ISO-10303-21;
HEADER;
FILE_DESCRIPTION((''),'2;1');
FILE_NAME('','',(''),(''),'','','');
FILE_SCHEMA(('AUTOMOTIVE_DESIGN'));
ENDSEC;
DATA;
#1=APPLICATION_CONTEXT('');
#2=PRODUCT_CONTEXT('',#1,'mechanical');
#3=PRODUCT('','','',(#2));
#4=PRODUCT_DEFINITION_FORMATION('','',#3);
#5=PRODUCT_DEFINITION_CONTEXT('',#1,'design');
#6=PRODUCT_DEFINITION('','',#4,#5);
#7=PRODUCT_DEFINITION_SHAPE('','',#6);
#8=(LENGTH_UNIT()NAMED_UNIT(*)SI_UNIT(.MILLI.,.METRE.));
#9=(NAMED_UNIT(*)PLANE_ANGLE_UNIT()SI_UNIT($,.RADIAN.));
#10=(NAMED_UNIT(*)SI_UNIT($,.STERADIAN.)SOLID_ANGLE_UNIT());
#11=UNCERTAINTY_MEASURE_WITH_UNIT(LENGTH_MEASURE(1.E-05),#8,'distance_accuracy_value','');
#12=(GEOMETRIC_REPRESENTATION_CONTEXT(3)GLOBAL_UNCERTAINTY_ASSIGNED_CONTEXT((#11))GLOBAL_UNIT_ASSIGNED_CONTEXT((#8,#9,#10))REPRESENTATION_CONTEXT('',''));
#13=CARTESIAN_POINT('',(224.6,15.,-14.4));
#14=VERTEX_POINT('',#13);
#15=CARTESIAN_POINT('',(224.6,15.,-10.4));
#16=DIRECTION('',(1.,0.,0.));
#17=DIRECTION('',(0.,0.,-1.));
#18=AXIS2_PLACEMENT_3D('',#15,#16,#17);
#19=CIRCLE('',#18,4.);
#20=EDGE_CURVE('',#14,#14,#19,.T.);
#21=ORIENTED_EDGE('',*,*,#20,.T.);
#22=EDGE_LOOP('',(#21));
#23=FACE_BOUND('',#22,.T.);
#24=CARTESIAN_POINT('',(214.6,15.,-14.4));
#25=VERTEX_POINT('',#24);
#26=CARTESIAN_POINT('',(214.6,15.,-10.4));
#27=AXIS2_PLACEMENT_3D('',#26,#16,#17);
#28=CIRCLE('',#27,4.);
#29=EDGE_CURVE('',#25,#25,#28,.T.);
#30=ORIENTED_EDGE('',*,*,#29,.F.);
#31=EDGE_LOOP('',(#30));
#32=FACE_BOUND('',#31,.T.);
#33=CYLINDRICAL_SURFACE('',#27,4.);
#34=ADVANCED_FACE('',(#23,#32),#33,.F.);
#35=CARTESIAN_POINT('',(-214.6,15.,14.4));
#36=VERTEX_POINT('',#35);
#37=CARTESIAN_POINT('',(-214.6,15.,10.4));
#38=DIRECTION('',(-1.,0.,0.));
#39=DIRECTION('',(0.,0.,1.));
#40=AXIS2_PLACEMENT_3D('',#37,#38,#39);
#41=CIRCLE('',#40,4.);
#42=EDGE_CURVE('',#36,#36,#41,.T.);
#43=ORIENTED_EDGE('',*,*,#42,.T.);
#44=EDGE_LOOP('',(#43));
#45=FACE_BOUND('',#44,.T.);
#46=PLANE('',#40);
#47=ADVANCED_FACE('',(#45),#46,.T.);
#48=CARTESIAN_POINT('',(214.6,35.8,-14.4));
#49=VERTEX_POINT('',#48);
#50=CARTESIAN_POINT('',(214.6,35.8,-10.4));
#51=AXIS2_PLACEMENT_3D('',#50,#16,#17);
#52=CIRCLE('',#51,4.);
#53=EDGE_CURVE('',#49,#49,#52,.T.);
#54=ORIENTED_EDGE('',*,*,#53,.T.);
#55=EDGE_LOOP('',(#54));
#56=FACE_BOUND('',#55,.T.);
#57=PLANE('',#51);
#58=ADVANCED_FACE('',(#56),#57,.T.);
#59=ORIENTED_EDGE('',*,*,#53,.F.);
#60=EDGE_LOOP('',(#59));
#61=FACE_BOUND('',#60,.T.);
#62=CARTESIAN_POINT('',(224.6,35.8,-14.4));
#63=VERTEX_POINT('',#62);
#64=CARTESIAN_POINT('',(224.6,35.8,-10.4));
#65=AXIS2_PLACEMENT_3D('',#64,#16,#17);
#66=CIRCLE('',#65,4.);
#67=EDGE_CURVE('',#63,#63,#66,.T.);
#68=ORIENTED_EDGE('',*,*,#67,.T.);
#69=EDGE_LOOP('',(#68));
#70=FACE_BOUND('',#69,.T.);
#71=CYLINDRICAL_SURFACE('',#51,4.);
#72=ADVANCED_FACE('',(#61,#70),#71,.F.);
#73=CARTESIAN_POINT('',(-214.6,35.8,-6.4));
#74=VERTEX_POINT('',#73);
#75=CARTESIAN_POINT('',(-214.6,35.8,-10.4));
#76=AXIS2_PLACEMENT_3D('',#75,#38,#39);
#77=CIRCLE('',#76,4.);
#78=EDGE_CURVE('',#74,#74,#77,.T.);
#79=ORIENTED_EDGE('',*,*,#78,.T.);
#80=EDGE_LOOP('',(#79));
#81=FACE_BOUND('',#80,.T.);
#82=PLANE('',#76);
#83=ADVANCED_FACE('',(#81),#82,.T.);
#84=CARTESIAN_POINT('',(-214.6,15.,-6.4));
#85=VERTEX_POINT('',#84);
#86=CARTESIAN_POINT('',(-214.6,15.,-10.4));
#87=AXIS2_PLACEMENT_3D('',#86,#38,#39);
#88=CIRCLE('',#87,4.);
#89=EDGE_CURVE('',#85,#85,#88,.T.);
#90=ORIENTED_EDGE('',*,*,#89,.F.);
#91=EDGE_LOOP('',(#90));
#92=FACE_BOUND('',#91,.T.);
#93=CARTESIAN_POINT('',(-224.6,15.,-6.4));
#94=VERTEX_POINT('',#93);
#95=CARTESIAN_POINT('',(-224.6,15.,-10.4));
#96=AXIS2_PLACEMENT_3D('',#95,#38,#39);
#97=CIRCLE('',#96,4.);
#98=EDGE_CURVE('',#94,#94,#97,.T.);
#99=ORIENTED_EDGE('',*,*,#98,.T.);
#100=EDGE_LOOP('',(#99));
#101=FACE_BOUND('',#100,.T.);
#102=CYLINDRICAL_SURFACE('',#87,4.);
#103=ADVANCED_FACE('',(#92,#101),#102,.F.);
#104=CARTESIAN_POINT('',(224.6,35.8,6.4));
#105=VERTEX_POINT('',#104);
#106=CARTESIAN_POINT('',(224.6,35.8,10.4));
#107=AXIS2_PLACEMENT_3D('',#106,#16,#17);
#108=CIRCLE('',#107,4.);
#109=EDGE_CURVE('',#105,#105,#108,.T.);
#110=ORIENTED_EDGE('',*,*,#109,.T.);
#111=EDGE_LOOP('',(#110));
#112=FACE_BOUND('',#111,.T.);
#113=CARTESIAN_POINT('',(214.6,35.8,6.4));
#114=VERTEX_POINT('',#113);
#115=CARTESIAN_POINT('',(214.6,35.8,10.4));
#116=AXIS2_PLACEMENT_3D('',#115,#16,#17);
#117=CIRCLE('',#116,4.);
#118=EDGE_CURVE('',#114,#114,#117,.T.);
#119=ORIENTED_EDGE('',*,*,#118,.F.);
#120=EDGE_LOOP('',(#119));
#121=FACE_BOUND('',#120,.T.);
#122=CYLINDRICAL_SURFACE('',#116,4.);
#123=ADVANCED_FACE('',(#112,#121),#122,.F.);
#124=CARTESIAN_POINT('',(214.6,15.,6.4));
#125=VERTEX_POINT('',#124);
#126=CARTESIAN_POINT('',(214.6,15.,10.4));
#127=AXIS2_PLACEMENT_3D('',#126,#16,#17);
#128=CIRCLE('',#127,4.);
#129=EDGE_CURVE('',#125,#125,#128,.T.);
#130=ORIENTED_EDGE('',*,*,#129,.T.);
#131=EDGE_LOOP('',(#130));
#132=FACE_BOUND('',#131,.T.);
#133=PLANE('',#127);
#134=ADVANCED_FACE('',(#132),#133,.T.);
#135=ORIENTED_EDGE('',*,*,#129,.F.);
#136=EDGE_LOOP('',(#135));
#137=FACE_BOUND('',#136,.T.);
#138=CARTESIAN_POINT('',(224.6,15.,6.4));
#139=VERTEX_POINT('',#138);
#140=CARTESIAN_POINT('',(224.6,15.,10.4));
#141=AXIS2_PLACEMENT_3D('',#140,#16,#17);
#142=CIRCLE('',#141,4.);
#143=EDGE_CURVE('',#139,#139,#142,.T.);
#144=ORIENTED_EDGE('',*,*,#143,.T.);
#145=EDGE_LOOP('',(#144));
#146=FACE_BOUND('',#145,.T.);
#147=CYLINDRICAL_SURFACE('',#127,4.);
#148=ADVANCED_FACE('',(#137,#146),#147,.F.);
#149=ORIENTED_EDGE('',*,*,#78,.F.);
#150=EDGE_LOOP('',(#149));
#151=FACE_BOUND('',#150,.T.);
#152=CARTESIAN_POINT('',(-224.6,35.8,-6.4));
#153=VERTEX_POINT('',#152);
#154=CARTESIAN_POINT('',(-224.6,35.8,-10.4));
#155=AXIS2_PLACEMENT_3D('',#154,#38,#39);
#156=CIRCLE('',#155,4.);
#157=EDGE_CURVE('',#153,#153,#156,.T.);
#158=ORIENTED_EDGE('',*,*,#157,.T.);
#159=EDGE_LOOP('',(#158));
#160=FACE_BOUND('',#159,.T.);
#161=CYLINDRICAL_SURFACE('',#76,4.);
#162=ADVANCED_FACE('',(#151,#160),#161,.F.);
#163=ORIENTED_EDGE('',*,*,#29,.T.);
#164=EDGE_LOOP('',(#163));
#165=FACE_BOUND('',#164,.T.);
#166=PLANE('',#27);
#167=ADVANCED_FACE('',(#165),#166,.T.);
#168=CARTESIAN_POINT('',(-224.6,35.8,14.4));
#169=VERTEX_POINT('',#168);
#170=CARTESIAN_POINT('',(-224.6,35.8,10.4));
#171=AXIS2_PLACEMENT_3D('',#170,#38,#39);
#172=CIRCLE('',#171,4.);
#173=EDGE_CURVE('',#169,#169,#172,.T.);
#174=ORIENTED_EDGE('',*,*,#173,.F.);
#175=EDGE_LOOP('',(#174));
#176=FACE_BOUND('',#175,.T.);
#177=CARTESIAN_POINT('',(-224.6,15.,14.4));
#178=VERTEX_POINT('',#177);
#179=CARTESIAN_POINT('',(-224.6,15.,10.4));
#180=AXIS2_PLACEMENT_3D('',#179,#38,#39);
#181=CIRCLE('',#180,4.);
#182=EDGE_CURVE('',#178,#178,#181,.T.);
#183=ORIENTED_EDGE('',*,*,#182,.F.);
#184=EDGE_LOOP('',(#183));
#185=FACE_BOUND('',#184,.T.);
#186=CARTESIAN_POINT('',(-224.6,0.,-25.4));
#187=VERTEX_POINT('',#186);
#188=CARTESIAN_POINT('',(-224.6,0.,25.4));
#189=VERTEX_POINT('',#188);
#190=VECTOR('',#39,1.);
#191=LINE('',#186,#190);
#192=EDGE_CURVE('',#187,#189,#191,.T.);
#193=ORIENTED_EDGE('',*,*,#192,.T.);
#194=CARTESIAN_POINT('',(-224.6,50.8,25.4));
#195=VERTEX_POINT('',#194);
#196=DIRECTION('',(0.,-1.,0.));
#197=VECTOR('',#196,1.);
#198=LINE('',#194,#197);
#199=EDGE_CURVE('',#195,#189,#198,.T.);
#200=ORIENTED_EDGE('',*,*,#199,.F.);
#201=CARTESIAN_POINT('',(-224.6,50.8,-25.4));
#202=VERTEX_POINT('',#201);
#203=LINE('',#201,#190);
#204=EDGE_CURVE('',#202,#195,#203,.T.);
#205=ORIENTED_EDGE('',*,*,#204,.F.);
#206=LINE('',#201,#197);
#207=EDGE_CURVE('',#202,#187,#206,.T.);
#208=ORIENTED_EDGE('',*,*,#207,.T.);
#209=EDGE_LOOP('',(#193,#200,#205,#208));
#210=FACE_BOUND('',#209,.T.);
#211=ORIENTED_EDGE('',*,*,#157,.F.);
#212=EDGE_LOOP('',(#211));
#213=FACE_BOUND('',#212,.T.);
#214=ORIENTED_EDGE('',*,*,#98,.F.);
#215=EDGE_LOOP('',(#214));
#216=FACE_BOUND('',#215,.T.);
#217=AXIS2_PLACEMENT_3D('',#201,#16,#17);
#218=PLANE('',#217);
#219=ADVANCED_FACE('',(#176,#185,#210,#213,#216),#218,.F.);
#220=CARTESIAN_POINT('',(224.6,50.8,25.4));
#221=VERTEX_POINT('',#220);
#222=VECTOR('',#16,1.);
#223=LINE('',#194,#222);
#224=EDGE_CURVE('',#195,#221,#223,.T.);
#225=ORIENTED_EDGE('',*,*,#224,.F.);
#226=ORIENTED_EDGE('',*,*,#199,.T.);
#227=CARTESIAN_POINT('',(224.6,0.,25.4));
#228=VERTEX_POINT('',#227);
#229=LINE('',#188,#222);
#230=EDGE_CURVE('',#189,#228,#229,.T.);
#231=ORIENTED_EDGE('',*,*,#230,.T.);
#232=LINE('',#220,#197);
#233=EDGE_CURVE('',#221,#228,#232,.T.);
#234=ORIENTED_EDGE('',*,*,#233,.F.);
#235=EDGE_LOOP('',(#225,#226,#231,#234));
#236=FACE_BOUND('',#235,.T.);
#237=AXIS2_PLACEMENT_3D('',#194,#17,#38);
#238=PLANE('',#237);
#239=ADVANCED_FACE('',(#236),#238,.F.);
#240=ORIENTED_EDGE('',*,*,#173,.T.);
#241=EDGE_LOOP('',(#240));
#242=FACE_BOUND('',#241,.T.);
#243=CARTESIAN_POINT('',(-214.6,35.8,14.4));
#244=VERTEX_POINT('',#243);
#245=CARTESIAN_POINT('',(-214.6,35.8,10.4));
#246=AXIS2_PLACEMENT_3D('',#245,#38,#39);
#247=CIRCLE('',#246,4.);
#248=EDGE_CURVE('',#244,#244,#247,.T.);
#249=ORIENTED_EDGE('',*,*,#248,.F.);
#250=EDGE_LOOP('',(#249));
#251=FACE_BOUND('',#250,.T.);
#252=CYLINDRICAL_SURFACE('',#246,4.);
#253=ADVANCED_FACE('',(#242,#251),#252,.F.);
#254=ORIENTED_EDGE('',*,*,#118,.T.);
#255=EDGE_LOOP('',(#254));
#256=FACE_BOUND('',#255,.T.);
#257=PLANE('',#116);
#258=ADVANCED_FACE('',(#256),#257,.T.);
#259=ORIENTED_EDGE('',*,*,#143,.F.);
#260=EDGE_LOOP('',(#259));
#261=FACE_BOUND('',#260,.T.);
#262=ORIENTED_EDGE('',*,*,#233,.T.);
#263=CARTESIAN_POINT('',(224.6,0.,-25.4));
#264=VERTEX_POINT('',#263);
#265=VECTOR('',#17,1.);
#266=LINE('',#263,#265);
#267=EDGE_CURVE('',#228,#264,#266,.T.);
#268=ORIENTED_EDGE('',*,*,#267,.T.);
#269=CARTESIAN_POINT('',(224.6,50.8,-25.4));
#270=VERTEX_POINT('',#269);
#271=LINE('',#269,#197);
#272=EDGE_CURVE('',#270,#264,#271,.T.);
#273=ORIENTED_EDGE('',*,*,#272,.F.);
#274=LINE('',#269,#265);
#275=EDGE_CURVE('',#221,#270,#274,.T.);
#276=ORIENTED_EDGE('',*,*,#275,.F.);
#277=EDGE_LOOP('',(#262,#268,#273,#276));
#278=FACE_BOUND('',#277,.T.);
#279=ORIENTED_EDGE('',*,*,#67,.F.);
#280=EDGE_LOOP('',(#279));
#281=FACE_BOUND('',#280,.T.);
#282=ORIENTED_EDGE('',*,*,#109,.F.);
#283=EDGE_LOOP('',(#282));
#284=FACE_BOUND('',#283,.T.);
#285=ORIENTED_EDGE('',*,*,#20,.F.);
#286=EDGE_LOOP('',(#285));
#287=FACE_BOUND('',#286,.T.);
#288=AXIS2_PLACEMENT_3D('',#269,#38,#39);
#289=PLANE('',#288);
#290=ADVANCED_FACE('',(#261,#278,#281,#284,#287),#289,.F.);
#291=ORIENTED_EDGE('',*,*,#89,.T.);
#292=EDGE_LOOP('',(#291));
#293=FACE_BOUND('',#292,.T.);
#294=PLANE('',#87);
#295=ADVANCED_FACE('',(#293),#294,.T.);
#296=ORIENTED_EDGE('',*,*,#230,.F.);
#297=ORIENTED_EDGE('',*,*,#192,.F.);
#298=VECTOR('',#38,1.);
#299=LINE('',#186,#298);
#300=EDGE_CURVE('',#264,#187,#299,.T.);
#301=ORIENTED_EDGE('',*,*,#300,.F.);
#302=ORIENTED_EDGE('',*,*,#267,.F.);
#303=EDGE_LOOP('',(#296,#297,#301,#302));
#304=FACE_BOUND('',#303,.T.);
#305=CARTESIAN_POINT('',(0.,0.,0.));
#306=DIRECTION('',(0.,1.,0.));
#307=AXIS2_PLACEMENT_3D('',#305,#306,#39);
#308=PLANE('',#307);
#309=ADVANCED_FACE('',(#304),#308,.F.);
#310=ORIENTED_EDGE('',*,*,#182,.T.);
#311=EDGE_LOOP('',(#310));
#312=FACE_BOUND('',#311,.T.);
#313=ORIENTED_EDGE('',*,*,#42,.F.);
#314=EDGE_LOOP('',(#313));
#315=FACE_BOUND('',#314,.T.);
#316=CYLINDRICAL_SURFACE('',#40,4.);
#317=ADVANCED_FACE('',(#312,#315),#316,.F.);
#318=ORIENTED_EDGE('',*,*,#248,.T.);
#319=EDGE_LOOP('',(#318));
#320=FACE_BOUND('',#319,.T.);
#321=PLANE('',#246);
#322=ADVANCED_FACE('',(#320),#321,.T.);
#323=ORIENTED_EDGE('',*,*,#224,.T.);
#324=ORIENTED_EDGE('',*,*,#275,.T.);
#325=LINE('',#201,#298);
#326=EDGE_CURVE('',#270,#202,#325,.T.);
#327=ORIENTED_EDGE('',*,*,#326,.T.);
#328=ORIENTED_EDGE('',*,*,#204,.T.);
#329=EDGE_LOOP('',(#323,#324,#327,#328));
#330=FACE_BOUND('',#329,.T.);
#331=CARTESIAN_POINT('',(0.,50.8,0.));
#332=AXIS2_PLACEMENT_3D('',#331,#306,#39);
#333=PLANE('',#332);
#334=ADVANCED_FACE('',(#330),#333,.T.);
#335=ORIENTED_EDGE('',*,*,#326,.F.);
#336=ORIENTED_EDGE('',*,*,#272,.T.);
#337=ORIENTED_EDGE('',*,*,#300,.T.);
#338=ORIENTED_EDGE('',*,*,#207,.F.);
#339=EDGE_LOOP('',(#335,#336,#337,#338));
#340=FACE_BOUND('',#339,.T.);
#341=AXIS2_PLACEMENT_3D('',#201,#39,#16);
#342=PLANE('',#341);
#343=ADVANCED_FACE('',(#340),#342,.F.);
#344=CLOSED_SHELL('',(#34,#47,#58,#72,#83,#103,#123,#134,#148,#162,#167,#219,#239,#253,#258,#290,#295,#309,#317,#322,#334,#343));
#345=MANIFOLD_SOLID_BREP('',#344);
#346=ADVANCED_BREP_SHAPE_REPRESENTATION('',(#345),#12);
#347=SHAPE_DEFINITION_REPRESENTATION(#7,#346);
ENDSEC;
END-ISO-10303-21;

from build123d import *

# Parameters (mm, degrees)
CROQUIS1_W              = 449.2
CROQUIS1_H              = 50.8
SALIENTE_EXTRUIR1_DEPTH = 50.8
CROQUIS2_R              = 4
CORTAR_EXTRUIR1_DEPTH   = 10
CROQUIS3_R              = 4
CORTAR_EXTRUIR2_DEPTH   = 10


with BuildPart() as part:
    # Croquis1 → Saliente-Extruir1 (new body)
    with BuildSketch(Plane(origin=(0, 0, 0), x_dir=(1, 0, 0), z_dir=(0, 1, 0))):
        Rectangle(CROQUIS1_W, CROQUIS1_H)
    extrude(amount=SALIENTE_EXTRUIR1_DEPTH)

    # Croquis2 → Cortar-Extruir1 (cut)
    with BuildSketch(Plane(origin=(224.6, 0, 0), x_dir=(0, 0, -1), z_dir=(1, 0, 0))):
        with Locations((-10.4, 35.8)):
            Circle(CROQUIS2_R)
        with Locations((10.4, 35.8)):
            Circle(CROQUIS2_R)
        with Locations((10.4, 15)):
            Circle(CROQUIS2_R)
        with Locations((-10.4, 15)):
            Circle(CROQUIS2_R)
    extrude(amount=-CORTAR_EXTRUIR1_DEPTH, mode=Mode.SUBTRACT)

    # Croquis3 → Cortar-Extruir2 (cut)
    with BuildSketch(Plane.ZY.offset(224.6)):
        with Locations((10.4, 35.8)):
            Circle(CROQUIS3_R)
        with Locations((-10.4, 35.8)):
            Circle(CROQUIS3_R)
        with Locations((-10.4, 15)):
            Circle(CROQUIS3_R)
        with Locations((10.4, 15)):
            Circle(CROQUIS3_R)
    extrude(amount=-CORTAR_EXTRUIR2_DEPTH, mode=Mode.SUBTRACT)


solid = part.part
